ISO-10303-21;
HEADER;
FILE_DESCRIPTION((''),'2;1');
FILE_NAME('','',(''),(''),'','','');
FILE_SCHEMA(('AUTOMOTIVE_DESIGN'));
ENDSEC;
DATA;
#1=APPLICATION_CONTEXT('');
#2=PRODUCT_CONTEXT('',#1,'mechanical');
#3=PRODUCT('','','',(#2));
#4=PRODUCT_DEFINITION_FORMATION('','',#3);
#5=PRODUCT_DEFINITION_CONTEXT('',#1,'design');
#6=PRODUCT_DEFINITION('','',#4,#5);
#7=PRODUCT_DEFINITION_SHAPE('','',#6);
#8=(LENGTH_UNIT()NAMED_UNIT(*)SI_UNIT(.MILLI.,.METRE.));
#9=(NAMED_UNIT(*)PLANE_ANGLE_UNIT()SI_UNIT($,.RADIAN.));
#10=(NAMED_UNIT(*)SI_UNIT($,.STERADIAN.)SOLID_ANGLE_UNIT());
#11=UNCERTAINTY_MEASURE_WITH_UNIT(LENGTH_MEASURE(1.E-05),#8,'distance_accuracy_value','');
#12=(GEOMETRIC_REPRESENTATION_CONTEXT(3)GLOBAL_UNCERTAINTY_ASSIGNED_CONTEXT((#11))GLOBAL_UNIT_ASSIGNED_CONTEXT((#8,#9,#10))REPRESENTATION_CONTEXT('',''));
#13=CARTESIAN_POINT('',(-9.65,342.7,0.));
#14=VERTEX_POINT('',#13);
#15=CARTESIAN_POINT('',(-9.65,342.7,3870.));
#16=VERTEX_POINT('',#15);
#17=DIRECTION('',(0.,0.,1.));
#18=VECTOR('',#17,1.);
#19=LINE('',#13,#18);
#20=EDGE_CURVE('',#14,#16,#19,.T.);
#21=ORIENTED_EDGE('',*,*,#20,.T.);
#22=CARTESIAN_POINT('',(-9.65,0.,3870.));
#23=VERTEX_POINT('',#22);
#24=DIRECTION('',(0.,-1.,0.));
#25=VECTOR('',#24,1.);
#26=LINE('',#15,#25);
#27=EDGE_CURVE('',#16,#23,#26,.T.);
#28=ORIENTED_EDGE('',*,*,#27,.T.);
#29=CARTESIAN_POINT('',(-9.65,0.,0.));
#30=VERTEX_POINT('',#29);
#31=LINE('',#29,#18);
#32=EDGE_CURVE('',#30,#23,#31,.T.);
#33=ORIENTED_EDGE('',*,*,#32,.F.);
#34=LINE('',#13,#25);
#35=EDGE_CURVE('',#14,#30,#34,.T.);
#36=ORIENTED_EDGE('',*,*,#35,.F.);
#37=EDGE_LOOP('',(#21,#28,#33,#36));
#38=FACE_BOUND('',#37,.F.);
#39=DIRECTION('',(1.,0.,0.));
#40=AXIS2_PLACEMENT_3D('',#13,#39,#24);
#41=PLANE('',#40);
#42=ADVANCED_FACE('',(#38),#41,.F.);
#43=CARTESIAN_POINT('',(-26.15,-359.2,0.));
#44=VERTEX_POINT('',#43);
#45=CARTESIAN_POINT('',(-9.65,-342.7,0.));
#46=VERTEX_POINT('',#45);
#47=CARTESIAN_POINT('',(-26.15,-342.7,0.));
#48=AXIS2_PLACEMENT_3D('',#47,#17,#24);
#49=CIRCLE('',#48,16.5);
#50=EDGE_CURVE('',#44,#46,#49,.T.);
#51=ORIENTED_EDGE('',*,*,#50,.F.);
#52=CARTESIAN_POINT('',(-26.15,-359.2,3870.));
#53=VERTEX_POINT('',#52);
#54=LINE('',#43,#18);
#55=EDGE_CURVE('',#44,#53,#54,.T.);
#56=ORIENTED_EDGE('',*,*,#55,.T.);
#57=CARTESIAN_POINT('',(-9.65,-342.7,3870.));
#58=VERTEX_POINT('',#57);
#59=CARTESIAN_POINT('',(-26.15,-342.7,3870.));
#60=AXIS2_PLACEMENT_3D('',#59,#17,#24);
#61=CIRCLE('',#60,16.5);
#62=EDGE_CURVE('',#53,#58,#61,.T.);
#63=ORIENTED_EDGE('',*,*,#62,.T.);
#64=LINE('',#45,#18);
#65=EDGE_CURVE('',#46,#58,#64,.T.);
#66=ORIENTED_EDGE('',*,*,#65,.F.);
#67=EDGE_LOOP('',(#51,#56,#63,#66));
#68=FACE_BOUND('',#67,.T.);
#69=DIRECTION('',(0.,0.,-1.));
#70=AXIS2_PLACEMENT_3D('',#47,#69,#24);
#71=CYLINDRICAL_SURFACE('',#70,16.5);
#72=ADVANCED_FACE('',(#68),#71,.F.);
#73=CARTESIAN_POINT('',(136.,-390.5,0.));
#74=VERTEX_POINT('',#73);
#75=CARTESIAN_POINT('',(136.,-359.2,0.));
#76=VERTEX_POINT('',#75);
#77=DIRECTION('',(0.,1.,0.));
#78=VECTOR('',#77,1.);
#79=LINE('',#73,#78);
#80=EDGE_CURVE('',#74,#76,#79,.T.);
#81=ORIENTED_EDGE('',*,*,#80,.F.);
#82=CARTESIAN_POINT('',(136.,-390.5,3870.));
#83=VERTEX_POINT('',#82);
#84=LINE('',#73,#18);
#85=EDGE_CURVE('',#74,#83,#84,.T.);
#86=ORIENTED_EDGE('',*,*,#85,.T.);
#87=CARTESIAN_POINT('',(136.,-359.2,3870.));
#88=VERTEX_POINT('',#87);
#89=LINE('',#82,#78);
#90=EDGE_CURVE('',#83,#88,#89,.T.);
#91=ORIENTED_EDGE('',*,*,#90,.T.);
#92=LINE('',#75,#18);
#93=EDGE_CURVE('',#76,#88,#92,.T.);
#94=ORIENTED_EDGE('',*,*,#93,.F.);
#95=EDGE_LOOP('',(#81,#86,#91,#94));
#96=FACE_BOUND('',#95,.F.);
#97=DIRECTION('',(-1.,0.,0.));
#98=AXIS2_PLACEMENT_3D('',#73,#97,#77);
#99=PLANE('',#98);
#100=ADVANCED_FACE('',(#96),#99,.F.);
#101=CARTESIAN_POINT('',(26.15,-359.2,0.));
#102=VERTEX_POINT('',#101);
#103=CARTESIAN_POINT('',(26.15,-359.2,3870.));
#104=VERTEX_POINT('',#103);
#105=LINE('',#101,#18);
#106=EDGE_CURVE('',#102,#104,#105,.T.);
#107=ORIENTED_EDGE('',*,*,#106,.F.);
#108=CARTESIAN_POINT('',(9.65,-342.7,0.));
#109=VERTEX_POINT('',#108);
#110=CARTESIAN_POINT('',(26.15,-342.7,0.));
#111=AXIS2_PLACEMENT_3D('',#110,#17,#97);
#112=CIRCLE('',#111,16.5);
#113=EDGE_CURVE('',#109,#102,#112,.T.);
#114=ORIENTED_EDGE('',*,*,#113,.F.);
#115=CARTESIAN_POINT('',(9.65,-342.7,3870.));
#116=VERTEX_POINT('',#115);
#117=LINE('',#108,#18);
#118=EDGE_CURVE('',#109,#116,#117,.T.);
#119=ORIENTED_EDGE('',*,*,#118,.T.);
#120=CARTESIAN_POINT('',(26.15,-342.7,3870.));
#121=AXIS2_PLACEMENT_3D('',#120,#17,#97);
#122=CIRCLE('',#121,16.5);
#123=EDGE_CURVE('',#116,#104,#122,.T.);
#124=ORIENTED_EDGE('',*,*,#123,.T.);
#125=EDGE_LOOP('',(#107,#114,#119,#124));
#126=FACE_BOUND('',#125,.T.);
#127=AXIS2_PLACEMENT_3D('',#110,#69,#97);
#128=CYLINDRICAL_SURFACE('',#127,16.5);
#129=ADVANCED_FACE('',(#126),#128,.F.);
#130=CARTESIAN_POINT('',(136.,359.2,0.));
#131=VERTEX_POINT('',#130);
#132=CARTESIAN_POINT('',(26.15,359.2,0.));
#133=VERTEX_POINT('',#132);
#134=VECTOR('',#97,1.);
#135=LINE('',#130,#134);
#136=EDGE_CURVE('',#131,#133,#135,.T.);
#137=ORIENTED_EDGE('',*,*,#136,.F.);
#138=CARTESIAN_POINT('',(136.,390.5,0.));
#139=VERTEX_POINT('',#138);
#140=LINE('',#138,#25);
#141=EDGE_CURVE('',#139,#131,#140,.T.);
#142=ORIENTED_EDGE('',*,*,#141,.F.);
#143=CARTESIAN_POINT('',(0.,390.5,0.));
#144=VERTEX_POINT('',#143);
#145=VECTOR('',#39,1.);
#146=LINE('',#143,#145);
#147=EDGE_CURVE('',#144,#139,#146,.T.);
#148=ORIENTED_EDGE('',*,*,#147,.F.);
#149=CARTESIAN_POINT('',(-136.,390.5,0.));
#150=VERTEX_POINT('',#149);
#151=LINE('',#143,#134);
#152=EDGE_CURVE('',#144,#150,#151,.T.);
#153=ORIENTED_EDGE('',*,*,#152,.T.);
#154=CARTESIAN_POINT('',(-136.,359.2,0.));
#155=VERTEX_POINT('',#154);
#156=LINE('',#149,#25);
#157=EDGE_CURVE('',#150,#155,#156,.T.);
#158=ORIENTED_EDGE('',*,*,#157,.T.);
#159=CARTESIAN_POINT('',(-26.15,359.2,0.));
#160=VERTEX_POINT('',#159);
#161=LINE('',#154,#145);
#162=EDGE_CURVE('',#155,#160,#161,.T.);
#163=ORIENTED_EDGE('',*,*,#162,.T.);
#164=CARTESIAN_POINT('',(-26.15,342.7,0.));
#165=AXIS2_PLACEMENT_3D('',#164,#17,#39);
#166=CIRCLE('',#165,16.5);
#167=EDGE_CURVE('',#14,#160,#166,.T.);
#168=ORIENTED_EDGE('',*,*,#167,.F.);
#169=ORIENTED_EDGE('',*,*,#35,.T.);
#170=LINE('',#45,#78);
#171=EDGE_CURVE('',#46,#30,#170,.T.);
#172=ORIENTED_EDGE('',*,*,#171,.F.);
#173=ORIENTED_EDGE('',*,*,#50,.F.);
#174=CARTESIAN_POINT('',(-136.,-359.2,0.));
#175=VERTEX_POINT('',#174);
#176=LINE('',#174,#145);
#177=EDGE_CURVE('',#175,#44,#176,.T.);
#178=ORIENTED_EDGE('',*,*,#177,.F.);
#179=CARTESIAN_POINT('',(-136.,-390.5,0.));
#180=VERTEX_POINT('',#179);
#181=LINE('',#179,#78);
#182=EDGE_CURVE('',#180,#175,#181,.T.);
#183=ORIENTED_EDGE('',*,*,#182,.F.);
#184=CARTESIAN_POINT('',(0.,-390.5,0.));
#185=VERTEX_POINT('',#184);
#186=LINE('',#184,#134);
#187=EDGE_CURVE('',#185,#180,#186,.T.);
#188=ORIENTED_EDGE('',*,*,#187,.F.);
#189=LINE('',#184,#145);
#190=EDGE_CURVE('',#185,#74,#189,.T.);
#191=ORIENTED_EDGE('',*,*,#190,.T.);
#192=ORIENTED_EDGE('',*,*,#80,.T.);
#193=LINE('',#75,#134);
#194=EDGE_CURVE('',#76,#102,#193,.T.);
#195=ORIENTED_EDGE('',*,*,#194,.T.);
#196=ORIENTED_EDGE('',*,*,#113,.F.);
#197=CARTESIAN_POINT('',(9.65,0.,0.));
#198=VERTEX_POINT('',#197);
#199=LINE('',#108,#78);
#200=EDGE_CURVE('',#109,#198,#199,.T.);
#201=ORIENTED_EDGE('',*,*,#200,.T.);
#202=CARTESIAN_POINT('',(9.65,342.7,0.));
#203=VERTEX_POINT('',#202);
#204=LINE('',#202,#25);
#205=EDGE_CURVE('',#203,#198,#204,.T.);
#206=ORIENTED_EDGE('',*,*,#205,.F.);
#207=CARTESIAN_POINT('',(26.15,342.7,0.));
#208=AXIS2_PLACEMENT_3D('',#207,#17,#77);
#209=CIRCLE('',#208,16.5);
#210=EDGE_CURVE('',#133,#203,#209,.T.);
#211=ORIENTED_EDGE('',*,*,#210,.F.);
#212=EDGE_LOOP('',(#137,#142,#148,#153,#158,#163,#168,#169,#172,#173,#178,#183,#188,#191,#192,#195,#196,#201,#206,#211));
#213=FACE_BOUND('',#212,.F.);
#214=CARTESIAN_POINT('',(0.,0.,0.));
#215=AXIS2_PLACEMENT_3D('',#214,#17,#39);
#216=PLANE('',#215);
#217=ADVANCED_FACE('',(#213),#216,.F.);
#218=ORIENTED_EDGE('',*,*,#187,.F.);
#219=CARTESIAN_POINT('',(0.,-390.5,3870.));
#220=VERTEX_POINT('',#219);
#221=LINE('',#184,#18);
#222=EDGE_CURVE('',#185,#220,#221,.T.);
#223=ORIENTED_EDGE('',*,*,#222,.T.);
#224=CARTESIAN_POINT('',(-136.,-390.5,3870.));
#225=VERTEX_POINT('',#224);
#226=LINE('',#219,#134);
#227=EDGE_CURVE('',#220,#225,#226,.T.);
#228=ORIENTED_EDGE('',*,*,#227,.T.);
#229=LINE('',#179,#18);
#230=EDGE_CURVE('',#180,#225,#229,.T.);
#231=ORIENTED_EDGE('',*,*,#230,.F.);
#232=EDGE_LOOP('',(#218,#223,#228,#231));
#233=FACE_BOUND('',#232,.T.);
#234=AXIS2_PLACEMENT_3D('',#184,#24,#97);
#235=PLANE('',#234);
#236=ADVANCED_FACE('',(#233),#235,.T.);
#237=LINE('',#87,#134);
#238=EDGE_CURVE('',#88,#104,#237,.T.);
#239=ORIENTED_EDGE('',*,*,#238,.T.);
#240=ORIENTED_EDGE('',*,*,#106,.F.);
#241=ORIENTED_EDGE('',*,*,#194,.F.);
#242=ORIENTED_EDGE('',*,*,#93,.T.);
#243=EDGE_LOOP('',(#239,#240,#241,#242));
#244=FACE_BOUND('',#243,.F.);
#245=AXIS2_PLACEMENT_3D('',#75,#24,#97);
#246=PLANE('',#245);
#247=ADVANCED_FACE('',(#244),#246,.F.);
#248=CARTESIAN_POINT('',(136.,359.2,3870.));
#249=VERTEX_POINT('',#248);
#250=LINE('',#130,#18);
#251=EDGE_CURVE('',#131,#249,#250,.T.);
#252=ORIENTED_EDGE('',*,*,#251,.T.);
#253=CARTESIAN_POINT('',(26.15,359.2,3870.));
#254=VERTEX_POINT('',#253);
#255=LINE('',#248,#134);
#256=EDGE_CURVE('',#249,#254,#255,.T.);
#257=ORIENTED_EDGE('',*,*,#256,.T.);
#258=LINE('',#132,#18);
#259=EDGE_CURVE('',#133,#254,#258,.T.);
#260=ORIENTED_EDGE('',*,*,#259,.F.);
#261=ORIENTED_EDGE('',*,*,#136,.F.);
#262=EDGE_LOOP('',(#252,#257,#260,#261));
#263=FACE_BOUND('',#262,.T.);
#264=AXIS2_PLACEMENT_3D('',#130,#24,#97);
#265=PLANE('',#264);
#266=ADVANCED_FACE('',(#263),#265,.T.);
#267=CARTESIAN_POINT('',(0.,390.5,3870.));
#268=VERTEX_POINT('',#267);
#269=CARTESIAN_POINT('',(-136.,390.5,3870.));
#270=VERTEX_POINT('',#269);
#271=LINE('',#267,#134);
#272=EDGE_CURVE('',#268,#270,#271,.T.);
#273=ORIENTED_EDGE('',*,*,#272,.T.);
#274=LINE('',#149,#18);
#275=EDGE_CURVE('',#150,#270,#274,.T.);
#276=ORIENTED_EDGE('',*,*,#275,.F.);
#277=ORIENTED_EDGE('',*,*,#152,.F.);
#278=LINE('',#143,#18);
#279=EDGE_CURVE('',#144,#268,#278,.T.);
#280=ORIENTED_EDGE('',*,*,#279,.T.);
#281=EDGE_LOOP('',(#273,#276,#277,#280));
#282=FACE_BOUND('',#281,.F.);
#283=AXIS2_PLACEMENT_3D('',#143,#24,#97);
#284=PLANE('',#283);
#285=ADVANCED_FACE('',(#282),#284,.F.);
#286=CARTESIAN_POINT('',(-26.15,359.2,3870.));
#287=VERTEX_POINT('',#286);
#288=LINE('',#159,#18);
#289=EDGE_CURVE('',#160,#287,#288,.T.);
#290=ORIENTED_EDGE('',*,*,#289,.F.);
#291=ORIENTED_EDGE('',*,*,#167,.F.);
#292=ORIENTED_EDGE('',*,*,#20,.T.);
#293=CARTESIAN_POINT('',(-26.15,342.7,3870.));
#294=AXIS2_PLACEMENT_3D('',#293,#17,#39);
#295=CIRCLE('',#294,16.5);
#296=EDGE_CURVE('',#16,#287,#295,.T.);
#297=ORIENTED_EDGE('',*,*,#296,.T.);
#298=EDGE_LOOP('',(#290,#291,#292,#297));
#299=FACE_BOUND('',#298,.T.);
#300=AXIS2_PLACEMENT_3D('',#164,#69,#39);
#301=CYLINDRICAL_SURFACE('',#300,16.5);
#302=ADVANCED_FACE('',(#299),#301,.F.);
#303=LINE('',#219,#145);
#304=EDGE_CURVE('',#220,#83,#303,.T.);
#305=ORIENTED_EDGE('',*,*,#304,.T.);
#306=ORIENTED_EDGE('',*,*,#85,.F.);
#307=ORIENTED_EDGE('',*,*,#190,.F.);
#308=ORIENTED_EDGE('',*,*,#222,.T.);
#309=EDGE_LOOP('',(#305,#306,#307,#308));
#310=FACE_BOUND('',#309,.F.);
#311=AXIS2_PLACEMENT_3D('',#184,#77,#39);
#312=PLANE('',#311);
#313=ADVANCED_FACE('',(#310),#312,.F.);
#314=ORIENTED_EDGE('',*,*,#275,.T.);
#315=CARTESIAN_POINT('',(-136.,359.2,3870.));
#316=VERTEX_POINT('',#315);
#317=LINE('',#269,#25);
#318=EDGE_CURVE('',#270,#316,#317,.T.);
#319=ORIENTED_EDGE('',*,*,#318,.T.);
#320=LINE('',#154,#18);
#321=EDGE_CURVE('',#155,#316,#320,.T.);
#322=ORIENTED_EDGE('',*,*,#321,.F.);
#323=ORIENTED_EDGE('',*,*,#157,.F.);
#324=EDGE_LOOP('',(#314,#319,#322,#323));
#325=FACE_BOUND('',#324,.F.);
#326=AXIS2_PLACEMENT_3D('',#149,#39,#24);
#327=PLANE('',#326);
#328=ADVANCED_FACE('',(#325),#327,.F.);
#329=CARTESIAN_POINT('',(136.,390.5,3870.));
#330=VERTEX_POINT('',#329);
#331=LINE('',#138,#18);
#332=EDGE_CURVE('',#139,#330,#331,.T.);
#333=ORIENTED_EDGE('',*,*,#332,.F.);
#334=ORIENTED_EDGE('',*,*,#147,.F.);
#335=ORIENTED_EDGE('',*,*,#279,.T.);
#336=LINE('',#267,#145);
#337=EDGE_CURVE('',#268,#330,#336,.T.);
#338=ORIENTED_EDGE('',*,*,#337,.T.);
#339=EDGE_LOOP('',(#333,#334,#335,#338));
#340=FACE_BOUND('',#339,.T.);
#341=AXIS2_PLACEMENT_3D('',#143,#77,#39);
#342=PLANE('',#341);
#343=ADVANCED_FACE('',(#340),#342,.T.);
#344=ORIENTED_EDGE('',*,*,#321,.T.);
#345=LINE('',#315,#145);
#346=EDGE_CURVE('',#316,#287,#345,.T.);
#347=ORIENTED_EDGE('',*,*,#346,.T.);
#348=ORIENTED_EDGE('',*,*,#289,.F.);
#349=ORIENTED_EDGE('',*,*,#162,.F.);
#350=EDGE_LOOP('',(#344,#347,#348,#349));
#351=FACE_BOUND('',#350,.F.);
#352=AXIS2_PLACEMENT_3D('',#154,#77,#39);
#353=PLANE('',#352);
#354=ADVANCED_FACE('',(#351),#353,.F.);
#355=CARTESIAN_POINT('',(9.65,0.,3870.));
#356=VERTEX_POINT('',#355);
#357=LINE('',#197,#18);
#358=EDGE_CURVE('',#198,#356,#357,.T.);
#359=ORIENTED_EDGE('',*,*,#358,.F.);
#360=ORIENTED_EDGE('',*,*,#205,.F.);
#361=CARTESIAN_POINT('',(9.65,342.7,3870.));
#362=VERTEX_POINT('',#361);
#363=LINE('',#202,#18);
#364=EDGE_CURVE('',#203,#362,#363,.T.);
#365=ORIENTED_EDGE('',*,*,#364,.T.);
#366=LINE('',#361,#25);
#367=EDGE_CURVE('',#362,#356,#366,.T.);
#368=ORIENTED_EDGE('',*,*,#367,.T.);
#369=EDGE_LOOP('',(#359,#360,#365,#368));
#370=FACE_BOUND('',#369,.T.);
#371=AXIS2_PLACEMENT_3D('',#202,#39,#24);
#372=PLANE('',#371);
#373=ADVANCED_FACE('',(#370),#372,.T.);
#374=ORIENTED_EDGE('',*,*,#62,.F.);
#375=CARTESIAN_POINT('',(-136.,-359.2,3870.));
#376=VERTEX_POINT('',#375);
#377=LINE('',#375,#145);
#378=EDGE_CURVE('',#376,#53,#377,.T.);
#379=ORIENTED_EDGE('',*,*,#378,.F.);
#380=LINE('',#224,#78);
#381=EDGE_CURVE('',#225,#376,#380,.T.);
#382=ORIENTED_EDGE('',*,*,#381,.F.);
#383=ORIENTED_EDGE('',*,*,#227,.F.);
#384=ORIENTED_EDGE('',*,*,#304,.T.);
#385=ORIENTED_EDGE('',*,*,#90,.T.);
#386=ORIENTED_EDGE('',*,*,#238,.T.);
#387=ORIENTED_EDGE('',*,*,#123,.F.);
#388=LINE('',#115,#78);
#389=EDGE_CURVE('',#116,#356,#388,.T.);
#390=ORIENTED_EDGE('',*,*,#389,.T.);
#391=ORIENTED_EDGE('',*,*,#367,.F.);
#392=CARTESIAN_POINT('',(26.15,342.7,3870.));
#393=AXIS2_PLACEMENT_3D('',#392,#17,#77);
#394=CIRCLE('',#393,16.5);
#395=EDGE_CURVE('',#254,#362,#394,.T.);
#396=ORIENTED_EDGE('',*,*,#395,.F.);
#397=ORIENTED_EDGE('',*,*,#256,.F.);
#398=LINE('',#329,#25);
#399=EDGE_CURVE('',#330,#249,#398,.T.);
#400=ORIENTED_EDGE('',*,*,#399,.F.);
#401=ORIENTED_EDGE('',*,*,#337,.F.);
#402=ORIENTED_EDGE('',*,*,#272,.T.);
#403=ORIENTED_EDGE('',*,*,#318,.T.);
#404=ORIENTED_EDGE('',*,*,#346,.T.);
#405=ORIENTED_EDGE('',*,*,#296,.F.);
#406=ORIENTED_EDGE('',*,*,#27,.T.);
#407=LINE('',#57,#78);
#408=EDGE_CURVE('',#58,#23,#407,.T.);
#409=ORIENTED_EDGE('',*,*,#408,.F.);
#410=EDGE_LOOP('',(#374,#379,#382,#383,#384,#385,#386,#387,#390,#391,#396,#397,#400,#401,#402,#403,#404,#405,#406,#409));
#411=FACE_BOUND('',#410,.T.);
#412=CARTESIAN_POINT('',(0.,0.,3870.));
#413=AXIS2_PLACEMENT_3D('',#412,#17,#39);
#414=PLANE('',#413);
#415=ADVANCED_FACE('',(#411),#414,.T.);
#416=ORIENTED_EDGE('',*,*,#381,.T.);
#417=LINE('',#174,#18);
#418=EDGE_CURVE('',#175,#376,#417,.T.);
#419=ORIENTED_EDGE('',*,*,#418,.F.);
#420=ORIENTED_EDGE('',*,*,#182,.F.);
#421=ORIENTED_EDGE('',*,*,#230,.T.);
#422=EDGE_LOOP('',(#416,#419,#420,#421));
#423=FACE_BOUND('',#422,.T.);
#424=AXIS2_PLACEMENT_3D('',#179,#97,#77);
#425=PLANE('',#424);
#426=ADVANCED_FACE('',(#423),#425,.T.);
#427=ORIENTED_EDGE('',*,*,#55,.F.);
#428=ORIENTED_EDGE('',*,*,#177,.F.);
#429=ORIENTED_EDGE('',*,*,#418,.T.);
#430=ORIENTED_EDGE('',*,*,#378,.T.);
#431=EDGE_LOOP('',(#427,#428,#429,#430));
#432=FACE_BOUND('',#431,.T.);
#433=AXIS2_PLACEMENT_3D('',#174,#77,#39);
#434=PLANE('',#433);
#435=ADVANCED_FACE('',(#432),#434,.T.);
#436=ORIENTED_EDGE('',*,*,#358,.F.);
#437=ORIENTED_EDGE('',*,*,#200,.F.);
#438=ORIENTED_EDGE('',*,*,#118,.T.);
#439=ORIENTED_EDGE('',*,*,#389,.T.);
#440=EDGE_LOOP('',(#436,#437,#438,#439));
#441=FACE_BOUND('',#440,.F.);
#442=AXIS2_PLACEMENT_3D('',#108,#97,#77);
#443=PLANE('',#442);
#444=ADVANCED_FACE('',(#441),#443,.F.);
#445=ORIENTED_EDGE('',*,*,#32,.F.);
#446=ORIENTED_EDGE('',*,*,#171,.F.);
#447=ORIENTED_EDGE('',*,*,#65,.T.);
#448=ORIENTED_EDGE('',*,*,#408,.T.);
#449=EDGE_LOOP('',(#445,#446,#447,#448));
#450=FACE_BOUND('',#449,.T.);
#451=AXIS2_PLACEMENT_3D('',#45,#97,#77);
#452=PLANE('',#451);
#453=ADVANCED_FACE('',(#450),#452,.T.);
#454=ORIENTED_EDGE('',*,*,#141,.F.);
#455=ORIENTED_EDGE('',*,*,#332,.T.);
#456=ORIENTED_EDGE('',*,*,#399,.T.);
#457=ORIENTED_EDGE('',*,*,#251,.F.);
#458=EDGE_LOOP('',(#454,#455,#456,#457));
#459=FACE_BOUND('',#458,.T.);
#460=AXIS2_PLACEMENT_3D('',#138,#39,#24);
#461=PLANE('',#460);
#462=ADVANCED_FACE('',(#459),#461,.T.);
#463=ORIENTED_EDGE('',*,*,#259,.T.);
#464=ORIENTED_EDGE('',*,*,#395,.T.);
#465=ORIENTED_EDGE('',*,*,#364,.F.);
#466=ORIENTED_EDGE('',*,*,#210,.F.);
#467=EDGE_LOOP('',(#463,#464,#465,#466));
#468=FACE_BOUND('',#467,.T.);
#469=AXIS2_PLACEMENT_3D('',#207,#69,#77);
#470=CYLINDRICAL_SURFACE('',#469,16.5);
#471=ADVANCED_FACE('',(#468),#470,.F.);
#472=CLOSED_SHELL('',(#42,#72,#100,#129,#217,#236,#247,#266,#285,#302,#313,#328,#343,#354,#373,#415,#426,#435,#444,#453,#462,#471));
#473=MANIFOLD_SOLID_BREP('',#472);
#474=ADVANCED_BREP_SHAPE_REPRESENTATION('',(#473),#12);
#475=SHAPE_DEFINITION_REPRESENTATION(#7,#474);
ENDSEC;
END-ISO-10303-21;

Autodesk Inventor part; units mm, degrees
ref_plane "YZ Plane" through (0, 0, 0) normal (1, 0, 0) x (0, 1, 0)
ref_plane "Start plane" through (0, 0, 0) normal (0, 0, 1) x (1, 0, 0)
ref_plane "End plane" through (0, 0, 3870) normal (0, 0, 1) x (1, 0, 0)
sketch "Sketch" plane through (0, 0, 0) normal (0, 0, 1) x (1, 0, 0)
  line L0 (-136, -390.5) -> (-136, -359.2)
  line L1 (-136, -359.2) -> (-26.15, -359.2)
  line L2 (-9.65, -342.7) -> (-9.65, 0)
  line L3 (-9.65, 0) -> (0, 0) construction
  line L4 (0, 0) -> (0, -390.5) construction
  line L5 (0, -390.5) -> (-136, -390.5)
  line L6 (-60, 0) -> (80, 0) construction
  line L7 (0, -60) -> (0, 80) construction
  line L8 (136, -390.5) -> (136, -359.2)
  line L9 (136, -359.2) -> (26.15, -359.2)
  line L10 (9.65, -342.7) -> (9.65, 0)
  line L11 (9.65, 0) -> (0, 0) construction
  line L12 (0, -390.5) -> (136, -390.5)
  line L13 (-136, 390.5) -> (-136, 359.2)
  line L14 (-136, 359.2) -> (-26.15, 359.2)
  line L15 (-9.65, 342.7) -> (-9.65, 0)
  line L16 (0, 390.5) -> (-136, 390.5)
  line L17 (136, 390.5) -> (136, 359.2)
  line L18 (136, 359.2) -> (26.15, 359.2)
  line L19 (0, 390.5) -> (136, 390.5)
  line L20 (9.65, 342.7) -> (9.65, 0)
  arc A0 (-9.65, 342.7) -> (-26.15, 359.2) centre (-26.15, 342.7) ccw
  arc A1 (26.15, 359.2) -> (9.65, 342.7) centre (26.15, 342.7) ccw
  arc A2 (9.65, -342.7) -> (26.15, -359.2) centre (26.15, -342.7) ccw
  arc A3 (-26.15, -359.2) -> (-9.65, -342.7) centre (-26.15, -342.7) ccw
  line L21 (0, 108) -> (0, -88) construction
  line L22 (-88, 0) -> (108, 0) construction
  point P0 (-9.65, -359.2)
  point P1 (9.65, -359.2)
  point P2 (-9.65, 359.2)
  point P3 (9.65, 359.2)
  dimension "d1" = 390.5
  dimension "d2" = 31.3
  dimension "d3" = 136
  dimension "d4" = 9.65
  dimension "d10" = 16.5
extrude "Body" add sketch "Sketch" along normal up to surface (3870 mm away) from surface at 0
sketch "Sketch4" plane through (0, 0, 0) normal (0, 0, 1) x (1, 0, 0)
  line L0 (0, 0) -> (10, 0)
ref_plane "Work Plane3" through (0, 0, 0) normal (0, -1, 0) x (1, 0, 0)
sketch "Sketch5" plane through (0, 0, 0) normal (0, -1, 0) x (1, 0, 0)
  line L0 (-2, 0) -> (12, 0) projected
  line L1 (-2, 3870) -> (12, 3870) projected
  dimension "d14" = 3870
equation "\"d1\" = 0.5 * G_H"
equation "\"d2\" = G_T1"
equation "\"d3\" = 0.5 * G_W"
equation "\"d4\" = 0.5 * G_T"
equation "\"d10\" = G_IR"
equation "\"d5\" = G_L"
equation "\"G_W\" = 272"
equation "\"G_H\" = 781"
equation "\"G_T\" = 19.3"
equation "\"G_T1\" = 31.3"
equation "\"G_IR\" = 16.5"
equation "\"G_L\" = d14"
equation "\"G_OFFSET_START\" = 0"
equation "\"G_OFFSET_END\" = 0"
properties part number "AS 3679-1990 - 760 UB - 244 - 3870" material "Steel, Mild"
